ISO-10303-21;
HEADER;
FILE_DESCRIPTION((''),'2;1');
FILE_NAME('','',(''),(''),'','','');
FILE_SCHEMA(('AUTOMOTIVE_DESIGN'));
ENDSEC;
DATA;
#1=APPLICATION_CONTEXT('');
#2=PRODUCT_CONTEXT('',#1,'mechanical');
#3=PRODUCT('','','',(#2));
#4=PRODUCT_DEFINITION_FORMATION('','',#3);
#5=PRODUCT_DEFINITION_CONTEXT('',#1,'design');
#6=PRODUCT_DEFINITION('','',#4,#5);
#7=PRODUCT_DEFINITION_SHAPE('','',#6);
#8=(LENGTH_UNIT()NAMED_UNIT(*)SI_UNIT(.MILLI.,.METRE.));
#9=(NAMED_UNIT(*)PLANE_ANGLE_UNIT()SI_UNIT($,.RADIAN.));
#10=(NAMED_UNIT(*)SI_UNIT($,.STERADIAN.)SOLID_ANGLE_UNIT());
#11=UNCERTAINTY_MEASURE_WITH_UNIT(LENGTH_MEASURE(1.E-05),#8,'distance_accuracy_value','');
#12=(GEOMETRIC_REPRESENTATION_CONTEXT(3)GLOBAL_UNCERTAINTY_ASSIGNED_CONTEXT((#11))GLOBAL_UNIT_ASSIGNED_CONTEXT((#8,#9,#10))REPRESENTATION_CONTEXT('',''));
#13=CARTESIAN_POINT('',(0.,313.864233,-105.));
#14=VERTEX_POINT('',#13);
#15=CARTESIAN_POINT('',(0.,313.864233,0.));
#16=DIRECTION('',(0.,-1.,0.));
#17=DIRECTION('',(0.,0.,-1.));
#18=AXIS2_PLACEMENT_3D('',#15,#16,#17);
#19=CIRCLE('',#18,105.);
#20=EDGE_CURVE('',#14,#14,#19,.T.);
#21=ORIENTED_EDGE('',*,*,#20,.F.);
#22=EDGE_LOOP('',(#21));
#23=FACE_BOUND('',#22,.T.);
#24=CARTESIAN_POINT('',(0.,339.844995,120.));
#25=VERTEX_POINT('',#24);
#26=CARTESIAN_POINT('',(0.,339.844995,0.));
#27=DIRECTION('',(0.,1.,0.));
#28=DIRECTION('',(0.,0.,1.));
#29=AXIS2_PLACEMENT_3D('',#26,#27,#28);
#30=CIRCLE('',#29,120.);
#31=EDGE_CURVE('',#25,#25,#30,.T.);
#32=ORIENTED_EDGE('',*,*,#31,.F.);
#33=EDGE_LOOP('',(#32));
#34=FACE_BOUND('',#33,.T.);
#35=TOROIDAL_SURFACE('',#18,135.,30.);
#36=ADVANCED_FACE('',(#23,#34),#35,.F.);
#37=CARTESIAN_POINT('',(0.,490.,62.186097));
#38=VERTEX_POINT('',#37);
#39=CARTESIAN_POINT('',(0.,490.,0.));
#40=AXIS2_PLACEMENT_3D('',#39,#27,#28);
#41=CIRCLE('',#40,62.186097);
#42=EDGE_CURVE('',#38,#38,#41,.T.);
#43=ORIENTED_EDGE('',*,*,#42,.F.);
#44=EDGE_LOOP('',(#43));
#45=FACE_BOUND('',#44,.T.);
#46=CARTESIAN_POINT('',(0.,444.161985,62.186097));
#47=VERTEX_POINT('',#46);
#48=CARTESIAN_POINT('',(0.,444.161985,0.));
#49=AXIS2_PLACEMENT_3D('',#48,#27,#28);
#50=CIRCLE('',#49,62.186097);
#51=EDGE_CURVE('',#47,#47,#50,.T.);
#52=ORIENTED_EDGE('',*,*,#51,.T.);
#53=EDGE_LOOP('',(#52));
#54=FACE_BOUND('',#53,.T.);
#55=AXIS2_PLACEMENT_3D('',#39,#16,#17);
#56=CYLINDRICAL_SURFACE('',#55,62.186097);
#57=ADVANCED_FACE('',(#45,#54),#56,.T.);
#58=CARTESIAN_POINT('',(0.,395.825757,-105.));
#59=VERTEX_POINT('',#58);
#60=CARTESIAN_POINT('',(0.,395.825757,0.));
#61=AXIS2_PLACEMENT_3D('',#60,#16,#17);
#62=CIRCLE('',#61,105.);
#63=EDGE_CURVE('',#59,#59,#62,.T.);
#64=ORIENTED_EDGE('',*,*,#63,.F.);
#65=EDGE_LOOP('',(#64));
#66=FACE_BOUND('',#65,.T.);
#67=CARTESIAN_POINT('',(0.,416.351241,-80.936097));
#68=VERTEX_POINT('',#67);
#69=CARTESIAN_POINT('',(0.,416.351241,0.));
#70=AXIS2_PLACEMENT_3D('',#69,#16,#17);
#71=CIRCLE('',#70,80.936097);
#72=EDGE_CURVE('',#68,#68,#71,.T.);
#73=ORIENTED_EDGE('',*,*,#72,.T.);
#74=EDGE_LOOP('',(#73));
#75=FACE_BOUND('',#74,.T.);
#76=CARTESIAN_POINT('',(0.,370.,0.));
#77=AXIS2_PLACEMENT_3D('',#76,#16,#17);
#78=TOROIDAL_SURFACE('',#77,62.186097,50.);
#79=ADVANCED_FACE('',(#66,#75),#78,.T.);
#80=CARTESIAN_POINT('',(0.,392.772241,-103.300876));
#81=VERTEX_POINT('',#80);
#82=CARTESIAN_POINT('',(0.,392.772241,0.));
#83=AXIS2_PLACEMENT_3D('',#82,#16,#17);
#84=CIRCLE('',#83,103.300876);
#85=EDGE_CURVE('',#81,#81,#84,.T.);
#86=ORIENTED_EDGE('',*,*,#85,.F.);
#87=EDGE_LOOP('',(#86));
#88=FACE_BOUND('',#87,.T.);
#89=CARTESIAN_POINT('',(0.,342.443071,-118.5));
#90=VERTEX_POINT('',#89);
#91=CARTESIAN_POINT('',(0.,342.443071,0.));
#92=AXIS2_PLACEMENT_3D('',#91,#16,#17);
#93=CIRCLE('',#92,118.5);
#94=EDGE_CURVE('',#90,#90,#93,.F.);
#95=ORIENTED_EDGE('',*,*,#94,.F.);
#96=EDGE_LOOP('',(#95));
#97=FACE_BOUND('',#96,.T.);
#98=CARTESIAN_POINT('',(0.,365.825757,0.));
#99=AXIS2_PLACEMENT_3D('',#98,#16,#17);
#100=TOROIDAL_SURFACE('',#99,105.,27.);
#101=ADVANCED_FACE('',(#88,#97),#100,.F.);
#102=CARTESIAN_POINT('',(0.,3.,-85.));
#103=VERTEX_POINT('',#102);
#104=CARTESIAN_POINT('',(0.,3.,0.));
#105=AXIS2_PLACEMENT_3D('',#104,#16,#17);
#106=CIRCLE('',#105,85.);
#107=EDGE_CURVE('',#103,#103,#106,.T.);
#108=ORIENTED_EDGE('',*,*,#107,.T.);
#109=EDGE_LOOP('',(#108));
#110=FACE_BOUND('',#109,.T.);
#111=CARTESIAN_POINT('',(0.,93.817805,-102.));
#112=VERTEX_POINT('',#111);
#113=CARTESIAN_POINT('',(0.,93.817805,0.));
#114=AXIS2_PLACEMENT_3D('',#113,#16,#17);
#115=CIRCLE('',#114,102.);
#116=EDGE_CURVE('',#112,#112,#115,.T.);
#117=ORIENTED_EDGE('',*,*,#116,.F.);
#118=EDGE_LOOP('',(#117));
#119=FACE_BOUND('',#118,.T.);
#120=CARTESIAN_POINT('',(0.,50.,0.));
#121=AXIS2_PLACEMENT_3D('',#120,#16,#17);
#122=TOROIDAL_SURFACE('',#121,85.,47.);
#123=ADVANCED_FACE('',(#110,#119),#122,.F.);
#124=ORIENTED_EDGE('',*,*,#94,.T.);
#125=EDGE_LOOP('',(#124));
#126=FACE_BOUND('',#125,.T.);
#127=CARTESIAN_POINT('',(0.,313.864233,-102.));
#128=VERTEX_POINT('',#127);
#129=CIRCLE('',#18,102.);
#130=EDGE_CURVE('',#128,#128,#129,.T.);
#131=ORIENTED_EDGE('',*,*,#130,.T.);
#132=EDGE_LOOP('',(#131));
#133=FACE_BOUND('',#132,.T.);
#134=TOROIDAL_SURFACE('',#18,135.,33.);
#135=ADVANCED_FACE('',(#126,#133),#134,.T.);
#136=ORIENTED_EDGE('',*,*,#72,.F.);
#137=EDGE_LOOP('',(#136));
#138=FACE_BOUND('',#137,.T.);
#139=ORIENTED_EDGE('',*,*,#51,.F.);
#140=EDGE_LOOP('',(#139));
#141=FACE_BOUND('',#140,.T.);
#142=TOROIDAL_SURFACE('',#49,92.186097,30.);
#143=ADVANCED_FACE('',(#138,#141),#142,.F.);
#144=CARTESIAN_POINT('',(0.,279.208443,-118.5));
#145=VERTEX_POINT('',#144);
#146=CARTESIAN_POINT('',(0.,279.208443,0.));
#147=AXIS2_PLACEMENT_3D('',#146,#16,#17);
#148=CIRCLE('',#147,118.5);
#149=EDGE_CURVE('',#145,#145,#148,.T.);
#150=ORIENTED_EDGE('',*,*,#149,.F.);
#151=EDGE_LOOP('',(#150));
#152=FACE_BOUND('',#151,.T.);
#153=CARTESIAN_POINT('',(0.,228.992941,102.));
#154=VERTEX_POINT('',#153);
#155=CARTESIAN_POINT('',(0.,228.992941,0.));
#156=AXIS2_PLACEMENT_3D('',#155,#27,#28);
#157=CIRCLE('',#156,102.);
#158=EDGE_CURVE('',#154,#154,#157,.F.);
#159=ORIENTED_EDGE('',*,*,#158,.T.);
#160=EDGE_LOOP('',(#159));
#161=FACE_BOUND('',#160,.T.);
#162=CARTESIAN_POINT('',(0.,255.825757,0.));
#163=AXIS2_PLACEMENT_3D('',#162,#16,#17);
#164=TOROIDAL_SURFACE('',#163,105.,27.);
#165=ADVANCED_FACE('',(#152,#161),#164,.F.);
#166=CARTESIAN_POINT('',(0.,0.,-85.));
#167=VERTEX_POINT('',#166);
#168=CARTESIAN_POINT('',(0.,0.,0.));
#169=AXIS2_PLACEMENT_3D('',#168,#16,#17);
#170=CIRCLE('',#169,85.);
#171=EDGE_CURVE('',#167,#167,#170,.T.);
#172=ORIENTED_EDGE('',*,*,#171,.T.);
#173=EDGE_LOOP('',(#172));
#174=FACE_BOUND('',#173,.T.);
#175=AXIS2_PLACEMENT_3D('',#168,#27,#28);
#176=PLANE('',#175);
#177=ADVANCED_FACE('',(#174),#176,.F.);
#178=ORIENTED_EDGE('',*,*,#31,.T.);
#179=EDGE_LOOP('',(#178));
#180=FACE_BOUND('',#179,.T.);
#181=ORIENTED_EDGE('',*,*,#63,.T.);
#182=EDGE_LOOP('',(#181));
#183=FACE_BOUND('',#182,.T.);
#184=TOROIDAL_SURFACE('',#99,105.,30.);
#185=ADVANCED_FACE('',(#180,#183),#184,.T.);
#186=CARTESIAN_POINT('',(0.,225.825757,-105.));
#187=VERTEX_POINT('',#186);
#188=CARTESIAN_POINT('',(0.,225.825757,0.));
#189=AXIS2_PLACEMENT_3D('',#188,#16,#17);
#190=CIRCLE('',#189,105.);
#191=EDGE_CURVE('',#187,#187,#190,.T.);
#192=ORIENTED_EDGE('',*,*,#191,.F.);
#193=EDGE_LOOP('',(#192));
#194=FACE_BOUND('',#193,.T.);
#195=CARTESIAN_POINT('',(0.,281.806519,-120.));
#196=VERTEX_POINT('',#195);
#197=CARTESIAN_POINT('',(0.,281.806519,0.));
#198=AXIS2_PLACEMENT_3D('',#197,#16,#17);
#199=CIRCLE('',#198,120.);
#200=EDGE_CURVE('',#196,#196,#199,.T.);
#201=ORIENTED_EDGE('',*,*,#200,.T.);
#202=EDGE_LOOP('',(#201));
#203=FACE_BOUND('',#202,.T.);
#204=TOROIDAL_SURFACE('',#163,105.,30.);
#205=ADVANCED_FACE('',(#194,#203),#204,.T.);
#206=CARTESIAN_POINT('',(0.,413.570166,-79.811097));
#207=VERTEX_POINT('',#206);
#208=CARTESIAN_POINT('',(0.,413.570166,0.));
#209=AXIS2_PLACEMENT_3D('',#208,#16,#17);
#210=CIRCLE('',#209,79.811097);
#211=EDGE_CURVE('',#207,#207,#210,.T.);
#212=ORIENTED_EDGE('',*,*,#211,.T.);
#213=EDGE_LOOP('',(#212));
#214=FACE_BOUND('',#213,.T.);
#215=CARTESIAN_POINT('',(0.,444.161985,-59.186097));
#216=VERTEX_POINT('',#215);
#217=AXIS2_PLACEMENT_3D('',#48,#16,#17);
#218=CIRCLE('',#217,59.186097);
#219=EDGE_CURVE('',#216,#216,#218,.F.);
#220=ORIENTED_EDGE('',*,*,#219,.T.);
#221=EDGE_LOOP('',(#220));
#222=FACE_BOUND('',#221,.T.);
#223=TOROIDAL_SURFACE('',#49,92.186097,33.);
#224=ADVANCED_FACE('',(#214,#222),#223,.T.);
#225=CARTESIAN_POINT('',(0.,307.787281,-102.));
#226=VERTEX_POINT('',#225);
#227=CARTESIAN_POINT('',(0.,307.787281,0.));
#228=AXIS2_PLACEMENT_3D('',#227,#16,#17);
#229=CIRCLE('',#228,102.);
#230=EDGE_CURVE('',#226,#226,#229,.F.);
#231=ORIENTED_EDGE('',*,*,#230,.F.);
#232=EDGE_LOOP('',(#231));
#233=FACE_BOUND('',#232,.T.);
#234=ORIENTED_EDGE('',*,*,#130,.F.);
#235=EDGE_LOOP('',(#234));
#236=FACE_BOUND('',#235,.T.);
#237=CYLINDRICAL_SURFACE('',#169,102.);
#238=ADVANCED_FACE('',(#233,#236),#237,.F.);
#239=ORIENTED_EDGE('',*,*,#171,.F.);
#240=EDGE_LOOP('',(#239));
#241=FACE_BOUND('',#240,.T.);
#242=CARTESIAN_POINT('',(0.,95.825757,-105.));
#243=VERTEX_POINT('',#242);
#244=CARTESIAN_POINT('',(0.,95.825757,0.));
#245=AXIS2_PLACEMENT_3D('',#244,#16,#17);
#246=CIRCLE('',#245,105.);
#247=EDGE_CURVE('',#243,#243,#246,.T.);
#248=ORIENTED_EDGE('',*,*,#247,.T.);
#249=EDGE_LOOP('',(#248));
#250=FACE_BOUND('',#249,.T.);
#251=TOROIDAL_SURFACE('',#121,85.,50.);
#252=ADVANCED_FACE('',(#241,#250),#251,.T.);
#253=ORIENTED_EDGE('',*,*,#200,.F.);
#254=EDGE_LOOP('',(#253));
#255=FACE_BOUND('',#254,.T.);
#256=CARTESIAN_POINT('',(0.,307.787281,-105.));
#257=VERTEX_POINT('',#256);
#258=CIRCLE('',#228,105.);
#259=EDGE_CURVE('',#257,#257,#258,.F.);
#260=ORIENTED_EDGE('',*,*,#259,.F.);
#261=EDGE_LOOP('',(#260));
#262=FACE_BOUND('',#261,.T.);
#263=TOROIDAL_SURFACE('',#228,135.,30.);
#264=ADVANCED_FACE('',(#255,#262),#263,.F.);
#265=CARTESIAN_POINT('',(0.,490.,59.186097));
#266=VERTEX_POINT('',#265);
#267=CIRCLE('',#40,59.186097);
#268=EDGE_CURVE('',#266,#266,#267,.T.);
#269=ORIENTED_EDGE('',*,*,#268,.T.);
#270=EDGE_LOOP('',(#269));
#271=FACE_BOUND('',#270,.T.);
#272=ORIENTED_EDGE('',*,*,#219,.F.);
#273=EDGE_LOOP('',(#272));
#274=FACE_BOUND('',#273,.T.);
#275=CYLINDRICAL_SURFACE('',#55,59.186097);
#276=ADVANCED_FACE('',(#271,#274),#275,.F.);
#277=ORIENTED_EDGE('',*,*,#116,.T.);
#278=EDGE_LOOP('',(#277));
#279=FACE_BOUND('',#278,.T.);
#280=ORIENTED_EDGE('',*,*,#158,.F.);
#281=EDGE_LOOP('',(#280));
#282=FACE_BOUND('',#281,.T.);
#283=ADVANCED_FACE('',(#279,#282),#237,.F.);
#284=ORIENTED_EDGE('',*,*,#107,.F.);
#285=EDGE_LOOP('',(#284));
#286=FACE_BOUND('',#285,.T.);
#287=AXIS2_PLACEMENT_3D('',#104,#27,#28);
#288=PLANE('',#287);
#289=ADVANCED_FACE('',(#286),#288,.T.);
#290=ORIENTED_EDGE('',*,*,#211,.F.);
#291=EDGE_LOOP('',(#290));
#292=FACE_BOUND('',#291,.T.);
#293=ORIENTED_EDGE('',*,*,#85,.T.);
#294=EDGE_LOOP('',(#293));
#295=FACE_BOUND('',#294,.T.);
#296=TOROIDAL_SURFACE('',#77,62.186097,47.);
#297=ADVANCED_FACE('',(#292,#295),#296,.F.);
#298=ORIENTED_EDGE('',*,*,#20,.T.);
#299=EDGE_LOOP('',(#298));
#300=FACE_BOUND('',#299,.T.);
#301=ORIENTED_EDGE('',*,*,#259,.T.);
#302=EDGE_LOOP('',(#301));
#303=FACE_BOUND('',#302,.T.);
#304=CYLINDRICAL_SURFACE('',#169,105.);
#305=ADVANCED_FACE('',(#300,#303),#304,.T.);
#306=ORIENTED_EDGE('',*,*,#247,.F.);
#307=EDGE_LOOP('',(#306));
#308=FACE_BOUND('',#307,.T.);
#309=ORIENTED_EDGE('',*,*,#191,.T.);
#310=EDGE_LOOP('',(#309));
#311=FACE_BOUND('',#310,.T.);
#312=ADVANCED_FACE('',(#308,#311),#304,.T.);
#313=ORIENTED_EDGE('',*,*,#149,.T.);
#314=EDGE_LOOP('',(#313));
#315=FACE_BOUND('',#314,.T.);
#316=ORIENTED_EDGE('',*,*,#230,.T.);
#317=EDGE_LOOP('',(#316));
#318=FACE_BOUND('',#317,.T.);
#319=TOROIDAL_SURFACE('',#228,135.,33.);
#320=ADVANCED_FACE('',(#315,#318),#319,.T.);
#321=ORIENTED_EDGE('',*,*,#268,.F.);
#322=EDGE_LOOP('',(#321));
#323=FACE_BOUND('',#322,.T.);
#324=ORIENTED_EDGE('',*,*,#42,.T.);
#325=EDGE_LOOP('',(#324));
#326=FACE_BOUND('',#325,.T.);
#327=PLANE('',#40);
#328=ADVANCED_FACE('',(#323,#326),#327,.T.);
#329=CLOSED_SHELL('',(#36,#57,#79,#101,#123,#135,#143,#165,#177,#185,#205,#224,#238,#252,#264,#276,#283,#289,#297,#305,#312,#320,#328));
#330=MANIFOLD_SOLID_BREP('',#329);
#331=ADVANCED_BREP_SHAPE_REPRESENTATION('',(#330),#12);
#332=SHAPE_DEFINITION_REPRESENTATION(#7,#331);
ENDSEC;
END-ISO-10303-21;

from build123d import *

# Parameters (mm, degrees)
CROQUIS2_R              = 62.186097141
SALIENTE_EXTRUIR1_DEPTH = 70
REDONDEO1_R             = 30
VACIADO1_T              = -3


with BuildPart() as part:
    # Croquis1 → Revolución1 (revolve)
    with BuildSketch(Plane.XY, mode=Mode.PRIVATE) as revoluci_n1_sk:
        with BuildLine():
            Line((0, 0), (-85, 0))
            ThreePointArc((-85, 0), (-133.945315647, 39.784517816), (-105, 95.82575695))
            Line((-105, 95.82575695), (-105, 225.82575695))
            ThreePointArc((-105, 225.82575695), (-135, 255.82575695), (-105, 285.82575695))
            Line((-105, 285.82575695), (-105, 335.82575695))
            ThreePointArc((-105, 335.82575695), (-135, 365.82575695), (-105, 395.82575695))
            ThreePointArc((-105, 395.82575695), (-86.769751798, 413.538993141), (-62.186097141, 420))
            Line((-62.186097141, 420), (0, 420))
            Line((0, 420), (0, 0))
        make_face()
    revolve(revoluci_n1_sk.sketch.rotate(Axis((0, 0, 0), (0, 1, 0)), 270), axis=Axis((0, 0, 0), (0, 1, 0)))

    # Croquis2 → Saliente-Extruir1 (add)
    with BuildSketch(Plane(origin=(0, 420, 0), x_dir=(1, 0, 0), z_dir=(0, 1, 0))):
        with Locations(Location((0, 0, 0), (0, 0, 270))):
            Circle(CROQUIS2_R)
    extrude(amount=SALIENTE_EXTRUIR1_DEPTH)

    # Redondeo1
    redondeo1_edges = [part.edges().sort_by_distance(p)[0] for p in [
        (-62.186097141, 420, 0),
        (0, 335.82575695, 105),
        (0, 285.82575695, 105),
    ]]
    fillet(redondeo1_edges, radius=REDONDEO1_R)

    # Vaciado1
    vaciado1_openings = [part.faces().sort_by_distance(p)[0] for p in [
        (0, 490, 0),
    ]]
    offset(amount=VACIADO1_T, openings=vaciado1_openings, kind=Kind.INTERSECTION)


solid = part.part
